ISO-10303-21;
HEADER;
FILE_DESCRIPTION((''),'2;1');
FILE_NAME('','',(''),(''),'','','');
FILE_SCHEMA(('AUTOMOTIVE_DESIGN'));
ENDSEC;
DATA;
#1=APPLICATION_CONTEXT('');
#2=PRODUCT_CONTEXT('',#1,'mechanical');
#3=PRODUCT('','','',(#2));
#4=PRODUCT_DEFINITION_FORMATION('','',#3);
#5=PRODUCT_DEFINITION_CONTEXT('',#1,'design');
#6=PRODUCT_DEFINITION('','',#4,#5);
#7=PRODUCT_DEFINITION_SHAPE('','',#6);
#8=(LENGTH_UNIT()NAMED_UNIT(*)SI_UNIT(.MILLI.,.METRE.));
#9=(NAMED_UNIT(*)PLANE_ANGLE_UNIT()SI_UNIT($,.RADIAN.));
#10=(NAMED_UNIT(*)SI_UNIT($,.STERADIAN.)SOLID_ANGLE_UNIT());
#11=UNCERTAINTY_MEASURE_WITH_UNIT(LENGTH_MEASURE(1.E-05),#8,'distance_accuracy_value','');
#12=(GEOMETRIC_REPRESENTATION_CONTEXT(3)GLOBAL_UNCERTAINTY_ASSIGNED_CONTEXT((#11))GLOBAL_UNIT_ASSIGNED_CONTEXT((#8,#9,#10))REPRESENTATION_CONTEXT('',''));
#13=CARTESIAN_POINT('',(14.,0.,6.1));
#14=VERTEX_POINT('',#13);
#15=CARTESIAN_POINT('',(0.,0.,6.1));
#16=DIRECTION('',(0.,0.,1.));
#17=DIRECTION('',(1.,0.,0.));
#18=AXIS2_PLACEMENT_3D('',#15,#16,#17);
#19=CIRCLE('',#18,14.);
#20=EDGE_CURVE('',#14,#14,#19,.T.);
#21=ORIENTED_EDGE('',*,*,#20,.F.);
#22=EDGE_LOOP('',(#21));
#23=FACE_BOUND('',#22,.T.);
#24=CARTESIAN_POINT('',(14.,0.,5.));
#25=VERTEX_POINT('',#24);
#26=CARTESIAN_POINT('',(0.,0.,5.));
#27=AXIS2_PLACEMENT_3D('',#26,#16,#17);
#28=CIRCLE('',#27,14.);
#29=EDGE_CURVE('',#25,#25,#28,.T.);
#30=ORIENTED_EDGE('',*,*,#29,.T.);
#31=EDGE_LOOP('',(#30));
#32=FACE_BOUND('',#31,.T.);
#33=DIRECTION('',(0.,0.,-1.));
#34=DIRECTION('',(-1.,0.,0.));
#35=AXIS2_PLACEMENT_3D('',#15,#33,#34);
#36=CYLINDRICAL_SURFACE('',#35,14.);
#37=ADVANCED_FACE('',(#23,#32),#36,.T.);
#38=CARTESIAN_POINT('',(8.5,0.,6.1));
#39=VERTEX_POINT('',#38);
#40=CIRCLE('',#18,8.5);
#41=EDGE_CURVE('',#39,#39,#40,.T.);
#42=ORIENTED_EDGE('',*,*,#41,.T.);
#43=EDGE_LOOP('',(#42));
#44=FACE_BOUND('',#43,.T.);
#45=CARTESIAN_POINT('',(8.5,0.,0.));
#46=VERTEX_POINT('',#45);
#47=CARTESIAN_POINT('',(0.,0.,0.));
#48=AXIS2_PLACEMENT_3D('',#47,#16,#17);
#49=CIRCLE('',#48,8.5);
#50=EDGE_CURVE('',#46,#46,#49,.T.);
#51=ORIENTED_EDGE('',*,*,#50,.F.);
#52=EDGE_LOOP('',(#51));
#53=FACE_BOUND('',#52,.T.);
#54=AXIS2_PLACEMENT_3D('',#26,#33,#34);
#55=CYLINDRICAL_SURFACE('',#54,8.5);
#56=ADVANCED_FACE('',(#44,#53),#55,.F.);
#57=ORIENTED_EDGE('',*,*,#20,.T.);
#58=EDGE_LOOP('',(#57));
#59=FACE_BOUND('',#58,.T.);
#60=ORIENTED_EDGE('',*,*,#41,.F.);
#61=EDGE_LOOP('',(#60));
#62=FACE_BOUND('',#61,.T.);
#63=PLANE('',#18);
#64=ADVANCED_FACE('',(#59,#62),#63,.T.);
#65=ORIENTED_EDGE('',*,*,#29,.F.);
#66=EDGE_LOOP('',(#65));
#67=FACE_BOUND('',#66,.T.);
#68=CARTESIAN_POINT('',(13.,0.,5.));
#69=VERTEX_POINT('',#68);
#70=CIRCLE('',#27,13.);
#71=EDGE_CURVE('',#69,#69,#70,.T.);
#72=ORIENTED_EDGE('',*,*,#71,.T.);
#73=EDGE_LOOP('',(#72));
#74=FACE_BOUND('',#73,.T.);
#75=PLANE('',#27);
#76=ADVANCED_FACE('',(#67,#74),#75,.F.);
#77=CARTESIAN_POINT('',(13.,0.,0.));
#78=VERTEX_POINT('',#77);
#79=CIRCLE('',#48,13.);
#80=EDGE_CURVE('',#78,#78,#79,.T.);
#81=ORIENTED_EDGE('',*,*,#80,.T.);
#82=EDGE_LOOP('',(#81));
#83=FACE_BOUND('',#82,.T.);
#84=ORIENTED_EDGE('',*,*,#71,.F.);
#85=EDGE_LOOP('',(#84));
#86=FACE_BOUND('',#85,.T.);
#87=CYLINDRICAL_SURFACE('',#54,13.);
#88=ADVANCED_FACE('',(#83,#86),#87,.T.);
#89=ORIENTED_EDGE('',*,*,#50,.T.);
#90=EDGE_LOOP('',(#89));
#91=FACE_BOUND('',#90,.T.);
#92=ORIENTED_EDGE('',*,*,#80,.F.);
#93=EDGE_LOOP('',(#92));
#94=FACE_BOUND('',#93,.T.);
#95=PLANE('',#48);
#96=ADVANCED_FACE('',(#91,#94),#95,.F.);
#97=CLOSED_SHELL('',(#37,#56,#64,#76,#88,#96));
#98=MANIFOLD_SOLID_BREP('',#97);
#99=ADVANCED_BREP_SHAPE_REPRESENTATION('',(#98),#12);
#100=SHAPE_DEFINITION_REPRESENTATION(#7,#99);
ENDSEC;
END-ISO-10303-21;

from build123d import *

# Parameters (mm, degrees)
SKETCH_1_R      = 13
SKETCH_1_R_2    = 8.5
EXTRUDE_1_DEPTH = 5
SKETCH_2_R      = 14
SKETCH_2_R_2    = 8.5
EXTRUDE_2_DEPTH = 1.1


with BuildPart() as part:
    # 草图1 → 凸台-拉伸1 (new body)
    with BuildSketch(Plane.XY):
        Circle(SKETCH_1_R)
        Circle(SKETCH_1_R_2, mode=Mode.SUBTRACT)
    extrude(amount=EXTRUDE_1_DEPTH)

    # 草图2 → 凸台-拉伸2 (add)
    with BuildSketch(Plane.XY.offset(5)):
        Circle(SKETCH_2_R)
        Circle(SKETCH_2_R_2, mode=Mode.SUBTRACT)
    extrude(amount=EXTRUDE_2_DEPTH)


solid = part.part
